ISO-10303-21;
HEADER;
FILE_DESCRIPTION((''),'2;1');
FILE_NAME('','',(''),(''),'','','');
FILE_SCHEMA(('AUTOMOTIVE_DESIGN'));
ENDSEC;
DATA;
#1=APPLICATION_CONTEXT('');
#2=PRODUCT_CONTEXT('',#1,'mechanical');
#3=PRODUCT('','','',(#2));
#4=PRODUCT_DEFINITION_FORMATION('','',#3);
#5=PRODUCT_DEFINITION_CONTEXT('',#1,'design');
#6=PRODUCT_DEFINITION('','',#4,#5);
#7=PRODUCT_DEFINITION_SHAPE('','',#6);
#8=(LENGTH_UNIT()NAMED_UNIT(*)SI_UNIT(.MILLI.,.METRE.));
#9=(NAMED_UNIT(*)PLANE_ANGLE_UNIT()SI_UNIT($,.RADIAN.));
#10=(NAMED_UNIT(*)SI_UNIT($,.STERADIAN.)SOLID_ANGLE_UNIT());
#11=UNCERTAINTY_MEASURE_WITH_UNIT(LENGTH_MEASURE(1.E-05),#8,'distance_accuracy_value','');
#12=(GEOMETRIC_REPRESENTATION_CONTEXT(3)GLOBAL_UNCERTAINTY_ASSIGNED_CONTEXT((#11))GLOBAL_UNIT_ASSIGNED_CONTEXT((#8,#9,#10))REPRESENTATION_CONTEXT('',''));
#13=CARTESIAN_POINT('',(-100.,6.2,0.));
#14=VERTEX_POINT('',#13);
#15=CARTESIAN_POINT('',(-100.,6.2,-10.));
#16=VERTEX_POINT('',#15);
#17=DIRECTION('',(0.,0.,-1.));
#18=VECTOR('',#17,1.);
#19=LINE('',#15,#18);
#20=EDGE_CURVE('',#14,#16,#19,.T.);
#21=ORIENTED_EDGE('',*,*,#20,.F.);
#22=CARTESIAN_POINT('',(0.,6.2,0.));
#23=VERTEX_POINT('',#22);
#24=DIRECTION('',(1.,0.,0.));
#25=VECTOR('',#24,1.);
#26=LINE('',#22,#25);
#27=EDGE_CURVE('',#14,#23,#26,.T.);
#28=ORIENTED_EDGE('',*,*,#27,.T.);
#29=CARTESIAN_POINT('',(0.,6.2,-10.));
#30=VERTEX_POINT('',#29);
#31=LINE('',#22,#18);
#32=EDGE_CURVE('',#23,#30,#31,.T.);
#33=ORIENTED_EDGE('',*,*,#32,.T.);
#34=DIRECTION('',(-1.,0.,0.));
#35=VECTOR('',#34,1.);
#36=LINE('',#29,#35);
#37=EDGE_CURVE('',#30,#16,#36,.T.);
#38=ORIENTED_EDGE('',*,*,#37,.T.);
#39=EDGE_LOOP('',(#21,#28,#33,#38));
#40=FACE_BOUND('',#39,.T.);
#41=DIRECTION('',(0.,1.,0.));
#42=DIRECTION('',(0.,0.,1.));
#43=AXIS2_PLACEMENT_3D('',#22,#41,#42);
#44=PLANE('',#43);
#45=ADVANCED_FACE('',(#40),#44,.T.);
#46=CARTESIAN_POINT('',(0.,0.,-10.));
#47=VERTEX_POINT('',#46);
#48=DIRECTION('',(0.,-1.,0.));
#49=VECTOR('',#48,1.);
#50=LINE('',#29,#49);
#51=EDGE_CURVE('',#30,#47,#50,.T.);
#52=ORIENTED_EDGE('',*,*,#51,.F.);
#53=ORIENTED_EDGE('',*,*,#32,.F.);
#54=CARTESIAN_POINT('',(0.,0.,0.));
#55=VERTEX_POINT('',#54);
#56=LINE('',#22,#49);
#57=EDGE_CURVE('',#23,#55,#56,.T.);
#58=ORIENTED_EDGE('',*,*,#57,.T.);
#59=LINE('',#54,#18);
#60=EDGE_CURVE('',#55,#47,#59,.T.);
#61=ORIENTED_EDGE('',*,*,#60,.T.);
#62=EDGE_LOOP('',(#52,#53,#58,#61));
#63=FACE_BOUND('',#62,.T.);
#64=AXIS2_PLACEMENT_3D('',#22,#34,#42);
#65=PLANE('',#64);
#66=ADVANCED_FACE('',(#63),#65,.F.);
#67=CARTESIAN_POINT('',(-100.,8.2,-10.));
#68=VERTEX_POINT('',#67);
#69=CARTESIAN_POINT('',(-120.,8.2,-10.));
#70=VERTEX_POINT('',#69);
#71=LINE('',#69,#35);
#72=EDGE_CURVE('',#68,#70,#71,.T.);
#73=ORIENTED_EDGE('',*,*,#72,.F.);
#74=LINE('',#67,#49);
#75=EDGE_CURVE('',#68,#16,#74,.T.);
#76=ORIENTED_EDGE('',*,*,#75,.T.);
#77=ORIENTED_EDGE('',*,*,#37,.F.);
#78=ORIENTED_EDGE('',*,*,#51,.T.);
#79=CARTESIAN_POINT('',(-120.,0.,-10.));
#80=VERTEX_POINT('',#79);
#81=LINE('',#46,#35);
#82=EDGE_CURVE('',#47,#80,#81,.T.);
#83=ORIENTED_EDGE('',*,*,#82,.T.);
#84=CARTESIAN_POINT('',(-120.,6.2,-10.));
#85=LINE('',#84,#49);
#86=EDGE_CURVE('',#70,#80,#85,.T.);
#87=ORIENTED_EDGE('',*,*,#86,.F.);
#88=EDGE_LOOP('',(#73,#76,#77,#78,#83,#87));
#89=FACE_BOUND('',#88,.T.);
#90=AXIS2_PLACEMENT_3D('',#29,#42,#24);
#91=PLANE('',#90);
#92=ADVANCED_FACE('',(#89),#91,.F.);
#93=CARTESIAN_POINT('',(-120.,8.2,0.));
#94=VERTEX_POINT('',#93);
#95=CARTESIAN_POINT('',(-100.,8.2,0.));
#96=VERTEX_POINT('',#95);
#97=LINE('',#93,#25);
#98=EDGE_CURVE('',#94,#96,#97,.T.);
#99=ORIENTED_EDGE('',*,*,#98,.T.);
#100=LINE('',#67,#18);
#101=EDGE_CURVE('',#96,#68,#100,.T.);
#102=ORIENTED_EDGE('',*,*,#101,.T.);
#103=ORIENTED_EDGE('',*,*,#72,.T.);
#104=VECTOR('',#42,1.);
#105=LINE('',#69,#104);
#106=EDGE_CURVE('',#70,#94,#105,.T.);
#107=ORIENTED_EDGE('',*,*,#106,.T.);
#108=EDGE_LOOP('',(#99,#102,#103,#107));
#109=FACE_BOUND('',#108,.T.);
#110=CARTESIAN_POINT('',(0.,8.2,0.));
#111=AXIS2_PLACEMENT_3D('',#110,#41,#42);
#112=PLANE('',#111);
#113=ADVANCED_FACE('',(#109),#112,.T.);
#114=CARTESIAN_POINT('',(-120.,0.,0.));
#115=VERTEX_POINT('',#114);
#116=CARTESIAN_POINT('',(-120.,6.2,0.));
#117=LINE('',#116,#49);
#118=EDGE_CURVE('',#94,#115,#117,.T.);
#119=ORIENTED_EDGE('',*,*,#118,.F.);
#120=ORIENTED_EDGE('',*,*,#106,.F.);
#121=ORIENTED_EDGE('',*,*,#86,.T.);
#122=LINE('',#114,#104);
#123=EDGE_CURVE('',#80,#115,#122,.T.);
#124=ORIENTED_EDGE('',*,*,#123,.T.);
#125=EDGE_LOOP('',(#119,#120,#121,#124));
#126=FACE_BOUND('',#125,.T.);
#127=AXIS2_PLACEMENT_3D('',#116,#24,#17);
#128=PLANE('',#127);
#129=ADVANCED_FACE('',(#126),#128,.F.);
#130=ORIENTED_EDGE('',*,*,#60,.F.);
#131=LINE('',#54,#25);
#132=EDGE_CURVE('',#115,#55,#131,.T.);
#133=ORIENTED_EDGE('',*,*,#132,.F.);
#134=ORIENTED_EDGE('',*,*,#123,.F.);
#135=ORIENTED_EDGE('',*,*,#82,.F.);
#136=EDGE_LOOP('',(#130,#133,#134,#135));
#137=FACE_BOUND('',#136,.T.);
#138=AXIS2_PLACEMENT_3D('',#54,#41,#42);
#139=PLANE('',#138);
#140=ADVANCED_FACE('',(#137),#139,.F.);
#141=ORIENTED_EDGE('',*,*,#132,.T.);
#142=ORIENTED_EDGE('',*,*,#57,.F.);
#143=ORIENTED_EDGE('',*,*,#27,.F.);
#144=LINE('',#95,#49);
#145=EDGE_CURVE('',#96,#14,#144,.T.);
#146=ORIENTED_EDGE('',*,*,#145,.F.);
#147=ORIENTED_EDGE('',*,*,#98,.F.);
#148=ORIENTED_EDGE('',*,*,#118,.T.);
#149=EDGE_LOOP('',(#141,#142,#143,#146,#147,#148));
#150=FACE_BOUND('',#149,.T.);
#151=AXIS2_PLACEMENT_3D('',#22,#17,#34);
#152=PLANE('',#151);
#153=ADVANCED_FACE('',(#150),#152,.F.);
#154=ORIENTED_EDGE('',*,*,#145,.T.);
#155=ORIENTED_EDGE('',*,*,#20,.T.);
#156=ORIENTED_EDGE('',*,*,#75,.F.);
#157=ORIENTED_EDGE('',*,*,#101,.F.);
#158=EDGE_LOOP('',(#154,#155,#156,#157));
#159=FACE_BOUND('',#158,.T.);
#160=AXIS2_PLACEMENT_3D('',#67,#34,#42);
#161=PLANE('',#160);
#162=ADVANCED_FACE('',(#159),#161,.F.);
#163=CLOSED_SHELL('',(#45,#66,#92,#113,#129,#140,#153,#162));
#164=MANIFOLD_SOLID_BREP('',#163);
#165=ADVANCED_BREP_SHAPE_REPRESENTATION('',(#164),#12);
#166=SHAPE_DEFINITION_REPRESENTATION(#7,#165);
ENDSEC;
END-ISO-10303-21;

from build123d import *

# Parameters (mm, degrees)
SKETCH_1_W      = 120
SKETCH_1_H      = 10
EXTRUDE_1_DEPTH = 6.2
SKETCH_5_W      = 20
SKETCH_5_H      = 10
EXTRUDE_3_DEPTH = 2


with BuildPart() as part:
    # 草图1 → 凸台-拉伸1 (new body)
    with BuildSketch(Plane(origin=(0, 0, 0), x_dir=(1, 0, 0), z_dir=(0, 1, 0))):
        with Locations((-60, 5)):
            Rectangle(SKETCH_1_W, SKETCH_1_H)
    extrude(amount=EXTRUDE_1_DEPTH)

    # 草图5 → 凸台-拉伸3 (add)
    with BuildSketch(Plane(origin=(0, 6.2, 0), x_dir=(1, 0, 0), z_dir=(0, 1, 0))):
        with Locations((-110, 5)):
            Rectangle(SKETCH_5_W, SKETCH_5_H)
    extrude(amount=EXTRUDE_3_DEPTH)


solid = part.part
